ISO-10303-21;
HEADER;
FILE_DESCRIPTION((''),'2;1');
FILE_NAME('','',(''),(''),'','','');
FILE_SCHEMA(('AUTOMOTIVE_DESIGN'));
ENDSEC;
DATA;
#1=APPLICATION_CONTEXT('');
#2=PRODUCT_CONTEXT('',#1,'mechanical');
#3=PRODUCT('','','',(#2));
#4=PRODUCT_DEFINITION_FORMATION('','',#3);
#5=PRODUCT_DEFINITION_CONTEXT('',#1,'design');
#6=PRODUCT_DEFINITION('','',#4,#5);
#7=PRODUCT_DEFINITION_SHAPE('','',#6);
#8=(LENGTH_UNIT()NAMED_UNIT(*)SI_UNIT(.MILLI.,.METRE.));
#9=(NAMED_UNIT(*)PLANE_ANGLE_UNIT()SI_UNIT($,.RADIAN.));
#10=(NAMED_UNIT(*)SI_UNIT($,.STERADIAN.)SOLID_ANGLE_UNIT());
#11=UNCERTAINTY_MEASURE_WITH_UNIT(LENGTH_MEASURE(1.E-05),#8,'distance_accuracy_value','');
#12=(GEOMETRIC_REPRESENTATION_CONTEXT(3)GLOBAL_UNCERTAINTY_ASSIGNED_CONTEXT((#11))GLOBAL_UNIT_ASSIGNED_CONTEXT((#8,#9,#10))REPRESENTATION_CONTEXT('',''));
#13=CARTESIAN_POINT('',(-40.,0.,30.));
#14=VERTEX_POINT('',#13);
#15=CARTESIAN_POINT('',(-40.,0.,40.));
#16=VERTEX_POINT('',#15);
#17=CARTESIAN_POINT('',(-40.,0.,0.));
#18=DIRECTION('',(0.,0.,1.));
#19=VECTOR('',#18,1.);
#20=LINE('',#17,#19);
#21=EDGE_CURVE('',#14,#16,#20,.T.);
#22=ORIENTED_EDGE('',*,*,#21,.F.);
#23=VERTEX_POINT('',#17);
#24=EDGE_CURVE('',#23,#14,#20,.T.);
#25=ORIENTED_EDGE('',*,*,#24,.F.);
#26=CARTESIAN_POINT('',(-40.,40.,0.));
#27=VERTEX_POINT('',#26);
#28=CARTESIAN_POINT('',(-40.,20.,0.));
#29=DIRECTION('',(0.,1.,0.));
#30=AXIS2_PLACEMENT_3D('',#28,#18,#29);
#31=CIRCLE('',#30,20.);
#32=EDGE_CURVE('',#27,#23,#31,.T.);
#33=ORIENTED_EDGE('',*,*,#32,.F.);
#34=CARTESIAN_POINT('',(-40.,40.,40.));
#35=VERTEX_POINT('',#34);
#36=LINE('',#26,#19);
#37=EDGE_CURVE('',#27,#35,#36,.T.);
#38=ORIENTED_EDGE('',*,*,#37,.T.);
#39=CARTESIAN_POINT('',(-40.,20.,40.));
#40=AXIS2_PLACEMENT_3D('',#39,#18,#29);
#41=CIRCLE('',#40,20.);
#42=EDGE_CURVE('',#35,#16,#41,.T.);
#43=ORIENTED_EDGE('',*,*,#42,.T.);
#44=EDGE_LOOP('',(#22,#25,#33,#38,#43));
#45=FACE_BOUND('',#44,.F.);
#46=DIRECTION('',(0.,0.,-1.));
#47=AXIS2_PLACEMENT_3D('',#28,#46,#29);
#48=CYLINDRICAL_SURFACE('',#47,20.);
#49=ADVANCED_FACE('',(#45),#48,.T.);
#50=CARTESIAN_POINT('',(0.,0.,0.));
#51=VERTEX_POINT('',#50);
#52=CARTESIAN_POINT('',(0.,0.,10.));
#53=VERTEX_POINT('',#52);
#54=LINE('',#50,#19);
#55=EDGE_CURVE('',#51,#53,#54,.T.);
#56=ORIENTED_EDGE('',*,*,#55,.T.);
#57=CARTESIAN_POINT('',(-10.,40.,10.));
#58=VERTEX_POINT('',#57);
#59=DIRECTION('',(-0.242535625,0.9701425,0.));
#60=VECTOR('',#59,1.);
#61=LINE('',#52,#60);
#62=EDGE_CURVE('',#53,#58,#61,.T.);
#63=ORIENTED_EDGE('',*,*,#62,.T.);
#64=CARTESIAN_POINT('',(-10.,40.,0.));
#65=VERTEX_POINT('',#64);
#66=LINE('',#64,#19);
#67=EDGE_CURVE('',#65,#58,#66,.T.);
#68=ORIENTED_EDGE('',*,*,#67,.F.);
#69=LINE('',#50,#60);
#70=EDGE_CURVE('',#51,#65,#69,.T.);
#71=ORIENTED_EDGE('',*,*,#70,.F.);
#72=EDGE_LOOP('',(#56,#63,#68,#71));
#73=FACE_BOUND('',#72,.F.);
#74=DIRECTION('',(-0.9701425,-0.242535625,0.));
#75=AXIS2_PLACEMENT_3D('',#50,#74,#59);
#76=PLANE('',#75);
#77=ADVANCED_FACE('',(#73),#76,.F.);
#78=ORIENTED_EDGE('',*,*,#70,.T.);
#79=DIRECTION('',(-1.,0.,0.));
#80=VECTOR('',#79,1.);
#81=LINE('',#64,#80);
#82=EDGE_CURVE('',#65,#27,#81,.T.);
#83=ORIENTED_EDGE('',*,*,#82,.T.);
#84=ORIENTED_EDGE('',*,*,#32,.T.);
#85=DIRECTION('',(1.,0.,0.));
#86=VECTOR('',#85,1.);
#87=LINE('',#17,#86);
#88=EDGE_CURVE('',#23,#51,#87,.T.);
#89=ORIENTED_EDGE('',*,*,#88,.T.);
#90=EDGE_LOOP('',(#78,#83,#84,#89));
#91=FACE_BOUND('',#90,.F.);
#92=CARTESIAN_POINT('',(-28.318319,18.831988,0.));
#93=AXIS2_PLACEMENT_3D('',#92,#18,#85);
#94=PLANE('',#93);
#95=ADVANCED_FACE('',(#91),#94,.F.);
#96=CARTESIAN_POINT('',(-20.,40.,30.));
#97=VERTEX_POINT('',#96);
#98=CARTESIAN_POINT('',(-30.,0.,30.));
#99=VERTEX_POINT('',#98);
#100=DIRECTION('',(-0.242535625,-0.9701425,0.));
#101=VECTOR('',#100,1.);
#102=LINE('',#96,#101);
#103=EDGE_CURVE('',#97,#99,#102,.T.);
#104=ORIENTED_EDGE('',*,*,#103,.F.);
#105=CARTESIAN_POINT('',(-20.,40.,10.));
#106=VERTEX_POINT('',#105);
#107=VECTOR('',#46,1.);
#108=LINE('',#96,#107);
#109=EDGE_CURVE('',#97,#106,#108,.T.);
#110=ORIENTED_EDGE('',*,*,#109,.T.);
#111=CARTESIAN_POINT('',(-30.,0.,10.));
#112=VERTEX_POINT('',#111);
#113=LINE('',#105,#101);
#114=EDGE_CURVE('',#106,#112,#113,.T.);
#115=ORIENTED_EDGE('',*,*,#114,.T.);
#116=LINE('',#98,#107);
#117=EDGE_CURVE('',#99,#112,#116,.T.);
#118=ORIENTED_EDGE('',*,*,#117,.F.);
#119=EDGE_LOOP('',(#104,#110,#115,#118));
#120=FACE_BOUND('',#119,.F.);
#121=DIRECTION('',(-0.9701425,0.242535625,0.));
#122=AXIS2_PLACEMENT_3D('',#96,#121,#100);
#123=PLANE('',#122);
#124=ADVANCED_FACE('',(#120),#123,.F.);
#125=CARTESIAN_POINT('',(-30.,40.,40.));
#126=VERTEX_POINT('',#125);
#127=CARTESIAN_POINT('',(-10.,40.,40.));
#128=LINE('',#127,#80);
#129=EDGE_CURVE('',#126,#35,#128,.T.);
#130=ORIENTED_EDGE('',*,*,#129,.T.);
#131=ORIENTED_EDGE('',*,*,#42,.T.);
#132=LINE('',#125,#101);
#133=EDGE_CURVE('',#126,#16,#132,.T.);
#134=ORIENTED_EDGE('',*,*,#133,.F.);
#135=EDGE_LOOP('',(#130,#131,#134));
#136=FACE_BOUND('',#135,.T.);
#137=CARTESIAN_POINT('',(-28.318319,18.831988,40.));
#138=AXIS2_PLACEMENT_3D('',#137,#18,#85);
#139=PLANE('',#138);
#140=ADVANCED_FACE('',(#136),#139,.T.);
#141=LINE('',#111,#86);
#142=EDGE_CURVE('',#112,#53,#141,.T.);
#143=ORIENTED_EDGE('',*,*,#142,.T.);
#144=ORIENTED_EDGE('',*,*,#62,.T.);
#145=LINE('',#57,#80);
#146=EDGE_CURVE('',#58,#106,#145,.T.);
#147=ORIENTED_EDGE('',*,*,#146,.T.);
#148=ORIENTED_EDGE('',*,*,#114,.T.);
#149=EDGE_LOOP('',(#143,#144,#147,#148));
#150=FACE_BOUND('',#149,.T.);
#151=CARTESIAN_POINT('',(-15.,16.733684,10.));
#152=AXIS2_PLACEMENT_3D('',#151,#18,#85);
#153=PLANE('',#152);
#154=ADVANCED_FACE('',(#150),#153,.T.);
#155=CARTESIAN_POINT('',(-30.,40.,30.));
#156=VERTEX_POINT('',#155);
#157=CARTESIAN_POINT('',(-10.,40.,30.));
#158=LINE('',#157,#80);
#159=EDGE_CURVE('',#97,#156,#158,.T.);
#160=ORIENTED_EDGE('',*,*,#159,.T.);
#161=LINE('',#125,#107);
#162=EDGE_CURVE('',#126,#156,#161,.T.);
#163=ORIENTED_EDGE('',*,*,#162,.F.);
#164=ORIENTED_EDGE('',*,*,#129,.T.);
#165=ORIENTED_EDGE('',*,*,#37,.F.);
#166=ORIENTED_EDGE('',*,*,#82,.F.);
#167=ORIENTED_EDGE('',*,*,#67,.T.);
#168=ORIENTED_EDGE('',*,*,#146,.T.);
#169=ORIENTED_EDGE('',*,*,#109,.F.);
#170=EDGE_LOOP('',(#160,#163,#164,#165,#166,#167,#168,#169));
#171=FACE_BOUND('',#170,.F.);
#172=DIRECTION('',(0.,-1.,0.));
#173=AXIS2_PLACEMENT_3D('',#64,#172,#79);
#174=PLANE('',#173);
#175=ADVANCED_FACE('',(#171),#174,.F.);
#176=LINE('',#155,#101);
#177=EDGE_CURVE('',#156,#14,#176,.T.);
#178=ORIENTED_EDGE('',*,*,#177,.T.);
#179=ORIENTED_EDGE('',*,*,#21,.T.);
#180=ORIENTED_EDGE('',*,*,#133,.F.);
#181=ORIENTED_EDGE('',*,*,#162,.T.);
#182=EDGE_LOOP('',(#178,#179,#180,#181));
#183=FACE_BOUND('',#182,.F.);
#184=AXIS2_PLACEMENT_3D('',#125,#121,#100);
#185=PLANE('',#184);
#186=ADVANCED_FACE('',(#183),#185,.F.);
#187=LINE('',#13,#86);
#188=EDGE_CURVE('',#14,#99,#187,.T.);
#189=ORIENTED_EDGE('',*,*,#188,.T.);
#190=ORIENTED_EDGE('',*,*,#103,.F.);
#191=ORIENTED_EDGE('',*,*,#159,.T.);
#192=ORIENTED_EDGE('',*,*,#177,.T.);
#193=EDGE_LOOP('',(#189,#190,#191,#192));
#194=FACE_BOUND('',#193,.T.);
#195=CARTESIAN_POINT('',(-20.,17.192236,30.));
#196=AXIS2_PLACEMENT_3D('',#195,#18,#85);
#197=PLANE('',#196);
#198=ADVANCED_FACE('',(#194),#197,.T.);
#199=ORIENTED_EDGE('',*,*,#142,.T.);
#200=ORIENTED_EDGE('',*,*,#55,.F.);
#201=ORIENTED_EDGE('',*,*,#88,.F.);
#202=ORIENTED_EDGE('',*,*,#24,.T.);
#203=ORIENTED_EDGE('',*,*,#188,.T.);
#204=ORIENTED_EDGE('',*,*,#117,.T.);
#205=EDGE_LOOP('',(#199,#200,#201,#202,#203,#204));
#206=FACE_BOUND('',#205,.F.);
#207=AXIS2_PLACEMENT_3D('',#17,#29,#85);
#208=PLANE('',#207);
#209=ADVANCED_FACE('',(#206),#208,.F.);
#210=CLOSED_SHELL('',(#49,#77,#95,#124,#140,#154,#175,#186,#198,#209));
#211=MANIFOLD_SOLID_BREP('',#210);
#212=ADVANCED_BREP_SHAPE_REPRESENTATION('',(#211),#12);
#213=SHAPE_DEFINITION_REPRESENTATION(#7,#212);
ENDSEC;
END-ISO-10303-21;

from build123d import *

# Parameters (mm, degrees)
F1_DEPTH = 40
F3_DEPTH = 10
F5_DEPTH = 20


with BuildPart() as f1:
    # F0 (on Top) → F1 (new body)
    with BuildSketch(Plane.XY):
        with BuildLine():
            Line((-40, 0), (0, 0))
            Line((0, 0), (-10, 40))
            Line((-10, 40), (-40, 40))
            ThreePointArc((-40, 40), (-60, 20), (-40, 0))
        make_face()
    extrude(amount=F1_DEPTH)

    # F2 (on face) → F3 (cut)
    with BuildSketch(Plane.XY.offset(40)):
        Polygon((-10, 40), (-30, 40), (-40, 0), (0, 0), align=None)
    extrude(amount=-F3_DEPTH, mode=Mode.SUBTRACT)

    # F4 (on face) → F5 (cut)
    with BuildSketch(Plane.XY.offset(30)):
        Polygon((-10, 40), (-20, 40), (-30, 0), (0, 0), align=None)
    extrude(amount=-F5_DEPTH, mode=Mode.SUBTRACT)


solid = f1.part
